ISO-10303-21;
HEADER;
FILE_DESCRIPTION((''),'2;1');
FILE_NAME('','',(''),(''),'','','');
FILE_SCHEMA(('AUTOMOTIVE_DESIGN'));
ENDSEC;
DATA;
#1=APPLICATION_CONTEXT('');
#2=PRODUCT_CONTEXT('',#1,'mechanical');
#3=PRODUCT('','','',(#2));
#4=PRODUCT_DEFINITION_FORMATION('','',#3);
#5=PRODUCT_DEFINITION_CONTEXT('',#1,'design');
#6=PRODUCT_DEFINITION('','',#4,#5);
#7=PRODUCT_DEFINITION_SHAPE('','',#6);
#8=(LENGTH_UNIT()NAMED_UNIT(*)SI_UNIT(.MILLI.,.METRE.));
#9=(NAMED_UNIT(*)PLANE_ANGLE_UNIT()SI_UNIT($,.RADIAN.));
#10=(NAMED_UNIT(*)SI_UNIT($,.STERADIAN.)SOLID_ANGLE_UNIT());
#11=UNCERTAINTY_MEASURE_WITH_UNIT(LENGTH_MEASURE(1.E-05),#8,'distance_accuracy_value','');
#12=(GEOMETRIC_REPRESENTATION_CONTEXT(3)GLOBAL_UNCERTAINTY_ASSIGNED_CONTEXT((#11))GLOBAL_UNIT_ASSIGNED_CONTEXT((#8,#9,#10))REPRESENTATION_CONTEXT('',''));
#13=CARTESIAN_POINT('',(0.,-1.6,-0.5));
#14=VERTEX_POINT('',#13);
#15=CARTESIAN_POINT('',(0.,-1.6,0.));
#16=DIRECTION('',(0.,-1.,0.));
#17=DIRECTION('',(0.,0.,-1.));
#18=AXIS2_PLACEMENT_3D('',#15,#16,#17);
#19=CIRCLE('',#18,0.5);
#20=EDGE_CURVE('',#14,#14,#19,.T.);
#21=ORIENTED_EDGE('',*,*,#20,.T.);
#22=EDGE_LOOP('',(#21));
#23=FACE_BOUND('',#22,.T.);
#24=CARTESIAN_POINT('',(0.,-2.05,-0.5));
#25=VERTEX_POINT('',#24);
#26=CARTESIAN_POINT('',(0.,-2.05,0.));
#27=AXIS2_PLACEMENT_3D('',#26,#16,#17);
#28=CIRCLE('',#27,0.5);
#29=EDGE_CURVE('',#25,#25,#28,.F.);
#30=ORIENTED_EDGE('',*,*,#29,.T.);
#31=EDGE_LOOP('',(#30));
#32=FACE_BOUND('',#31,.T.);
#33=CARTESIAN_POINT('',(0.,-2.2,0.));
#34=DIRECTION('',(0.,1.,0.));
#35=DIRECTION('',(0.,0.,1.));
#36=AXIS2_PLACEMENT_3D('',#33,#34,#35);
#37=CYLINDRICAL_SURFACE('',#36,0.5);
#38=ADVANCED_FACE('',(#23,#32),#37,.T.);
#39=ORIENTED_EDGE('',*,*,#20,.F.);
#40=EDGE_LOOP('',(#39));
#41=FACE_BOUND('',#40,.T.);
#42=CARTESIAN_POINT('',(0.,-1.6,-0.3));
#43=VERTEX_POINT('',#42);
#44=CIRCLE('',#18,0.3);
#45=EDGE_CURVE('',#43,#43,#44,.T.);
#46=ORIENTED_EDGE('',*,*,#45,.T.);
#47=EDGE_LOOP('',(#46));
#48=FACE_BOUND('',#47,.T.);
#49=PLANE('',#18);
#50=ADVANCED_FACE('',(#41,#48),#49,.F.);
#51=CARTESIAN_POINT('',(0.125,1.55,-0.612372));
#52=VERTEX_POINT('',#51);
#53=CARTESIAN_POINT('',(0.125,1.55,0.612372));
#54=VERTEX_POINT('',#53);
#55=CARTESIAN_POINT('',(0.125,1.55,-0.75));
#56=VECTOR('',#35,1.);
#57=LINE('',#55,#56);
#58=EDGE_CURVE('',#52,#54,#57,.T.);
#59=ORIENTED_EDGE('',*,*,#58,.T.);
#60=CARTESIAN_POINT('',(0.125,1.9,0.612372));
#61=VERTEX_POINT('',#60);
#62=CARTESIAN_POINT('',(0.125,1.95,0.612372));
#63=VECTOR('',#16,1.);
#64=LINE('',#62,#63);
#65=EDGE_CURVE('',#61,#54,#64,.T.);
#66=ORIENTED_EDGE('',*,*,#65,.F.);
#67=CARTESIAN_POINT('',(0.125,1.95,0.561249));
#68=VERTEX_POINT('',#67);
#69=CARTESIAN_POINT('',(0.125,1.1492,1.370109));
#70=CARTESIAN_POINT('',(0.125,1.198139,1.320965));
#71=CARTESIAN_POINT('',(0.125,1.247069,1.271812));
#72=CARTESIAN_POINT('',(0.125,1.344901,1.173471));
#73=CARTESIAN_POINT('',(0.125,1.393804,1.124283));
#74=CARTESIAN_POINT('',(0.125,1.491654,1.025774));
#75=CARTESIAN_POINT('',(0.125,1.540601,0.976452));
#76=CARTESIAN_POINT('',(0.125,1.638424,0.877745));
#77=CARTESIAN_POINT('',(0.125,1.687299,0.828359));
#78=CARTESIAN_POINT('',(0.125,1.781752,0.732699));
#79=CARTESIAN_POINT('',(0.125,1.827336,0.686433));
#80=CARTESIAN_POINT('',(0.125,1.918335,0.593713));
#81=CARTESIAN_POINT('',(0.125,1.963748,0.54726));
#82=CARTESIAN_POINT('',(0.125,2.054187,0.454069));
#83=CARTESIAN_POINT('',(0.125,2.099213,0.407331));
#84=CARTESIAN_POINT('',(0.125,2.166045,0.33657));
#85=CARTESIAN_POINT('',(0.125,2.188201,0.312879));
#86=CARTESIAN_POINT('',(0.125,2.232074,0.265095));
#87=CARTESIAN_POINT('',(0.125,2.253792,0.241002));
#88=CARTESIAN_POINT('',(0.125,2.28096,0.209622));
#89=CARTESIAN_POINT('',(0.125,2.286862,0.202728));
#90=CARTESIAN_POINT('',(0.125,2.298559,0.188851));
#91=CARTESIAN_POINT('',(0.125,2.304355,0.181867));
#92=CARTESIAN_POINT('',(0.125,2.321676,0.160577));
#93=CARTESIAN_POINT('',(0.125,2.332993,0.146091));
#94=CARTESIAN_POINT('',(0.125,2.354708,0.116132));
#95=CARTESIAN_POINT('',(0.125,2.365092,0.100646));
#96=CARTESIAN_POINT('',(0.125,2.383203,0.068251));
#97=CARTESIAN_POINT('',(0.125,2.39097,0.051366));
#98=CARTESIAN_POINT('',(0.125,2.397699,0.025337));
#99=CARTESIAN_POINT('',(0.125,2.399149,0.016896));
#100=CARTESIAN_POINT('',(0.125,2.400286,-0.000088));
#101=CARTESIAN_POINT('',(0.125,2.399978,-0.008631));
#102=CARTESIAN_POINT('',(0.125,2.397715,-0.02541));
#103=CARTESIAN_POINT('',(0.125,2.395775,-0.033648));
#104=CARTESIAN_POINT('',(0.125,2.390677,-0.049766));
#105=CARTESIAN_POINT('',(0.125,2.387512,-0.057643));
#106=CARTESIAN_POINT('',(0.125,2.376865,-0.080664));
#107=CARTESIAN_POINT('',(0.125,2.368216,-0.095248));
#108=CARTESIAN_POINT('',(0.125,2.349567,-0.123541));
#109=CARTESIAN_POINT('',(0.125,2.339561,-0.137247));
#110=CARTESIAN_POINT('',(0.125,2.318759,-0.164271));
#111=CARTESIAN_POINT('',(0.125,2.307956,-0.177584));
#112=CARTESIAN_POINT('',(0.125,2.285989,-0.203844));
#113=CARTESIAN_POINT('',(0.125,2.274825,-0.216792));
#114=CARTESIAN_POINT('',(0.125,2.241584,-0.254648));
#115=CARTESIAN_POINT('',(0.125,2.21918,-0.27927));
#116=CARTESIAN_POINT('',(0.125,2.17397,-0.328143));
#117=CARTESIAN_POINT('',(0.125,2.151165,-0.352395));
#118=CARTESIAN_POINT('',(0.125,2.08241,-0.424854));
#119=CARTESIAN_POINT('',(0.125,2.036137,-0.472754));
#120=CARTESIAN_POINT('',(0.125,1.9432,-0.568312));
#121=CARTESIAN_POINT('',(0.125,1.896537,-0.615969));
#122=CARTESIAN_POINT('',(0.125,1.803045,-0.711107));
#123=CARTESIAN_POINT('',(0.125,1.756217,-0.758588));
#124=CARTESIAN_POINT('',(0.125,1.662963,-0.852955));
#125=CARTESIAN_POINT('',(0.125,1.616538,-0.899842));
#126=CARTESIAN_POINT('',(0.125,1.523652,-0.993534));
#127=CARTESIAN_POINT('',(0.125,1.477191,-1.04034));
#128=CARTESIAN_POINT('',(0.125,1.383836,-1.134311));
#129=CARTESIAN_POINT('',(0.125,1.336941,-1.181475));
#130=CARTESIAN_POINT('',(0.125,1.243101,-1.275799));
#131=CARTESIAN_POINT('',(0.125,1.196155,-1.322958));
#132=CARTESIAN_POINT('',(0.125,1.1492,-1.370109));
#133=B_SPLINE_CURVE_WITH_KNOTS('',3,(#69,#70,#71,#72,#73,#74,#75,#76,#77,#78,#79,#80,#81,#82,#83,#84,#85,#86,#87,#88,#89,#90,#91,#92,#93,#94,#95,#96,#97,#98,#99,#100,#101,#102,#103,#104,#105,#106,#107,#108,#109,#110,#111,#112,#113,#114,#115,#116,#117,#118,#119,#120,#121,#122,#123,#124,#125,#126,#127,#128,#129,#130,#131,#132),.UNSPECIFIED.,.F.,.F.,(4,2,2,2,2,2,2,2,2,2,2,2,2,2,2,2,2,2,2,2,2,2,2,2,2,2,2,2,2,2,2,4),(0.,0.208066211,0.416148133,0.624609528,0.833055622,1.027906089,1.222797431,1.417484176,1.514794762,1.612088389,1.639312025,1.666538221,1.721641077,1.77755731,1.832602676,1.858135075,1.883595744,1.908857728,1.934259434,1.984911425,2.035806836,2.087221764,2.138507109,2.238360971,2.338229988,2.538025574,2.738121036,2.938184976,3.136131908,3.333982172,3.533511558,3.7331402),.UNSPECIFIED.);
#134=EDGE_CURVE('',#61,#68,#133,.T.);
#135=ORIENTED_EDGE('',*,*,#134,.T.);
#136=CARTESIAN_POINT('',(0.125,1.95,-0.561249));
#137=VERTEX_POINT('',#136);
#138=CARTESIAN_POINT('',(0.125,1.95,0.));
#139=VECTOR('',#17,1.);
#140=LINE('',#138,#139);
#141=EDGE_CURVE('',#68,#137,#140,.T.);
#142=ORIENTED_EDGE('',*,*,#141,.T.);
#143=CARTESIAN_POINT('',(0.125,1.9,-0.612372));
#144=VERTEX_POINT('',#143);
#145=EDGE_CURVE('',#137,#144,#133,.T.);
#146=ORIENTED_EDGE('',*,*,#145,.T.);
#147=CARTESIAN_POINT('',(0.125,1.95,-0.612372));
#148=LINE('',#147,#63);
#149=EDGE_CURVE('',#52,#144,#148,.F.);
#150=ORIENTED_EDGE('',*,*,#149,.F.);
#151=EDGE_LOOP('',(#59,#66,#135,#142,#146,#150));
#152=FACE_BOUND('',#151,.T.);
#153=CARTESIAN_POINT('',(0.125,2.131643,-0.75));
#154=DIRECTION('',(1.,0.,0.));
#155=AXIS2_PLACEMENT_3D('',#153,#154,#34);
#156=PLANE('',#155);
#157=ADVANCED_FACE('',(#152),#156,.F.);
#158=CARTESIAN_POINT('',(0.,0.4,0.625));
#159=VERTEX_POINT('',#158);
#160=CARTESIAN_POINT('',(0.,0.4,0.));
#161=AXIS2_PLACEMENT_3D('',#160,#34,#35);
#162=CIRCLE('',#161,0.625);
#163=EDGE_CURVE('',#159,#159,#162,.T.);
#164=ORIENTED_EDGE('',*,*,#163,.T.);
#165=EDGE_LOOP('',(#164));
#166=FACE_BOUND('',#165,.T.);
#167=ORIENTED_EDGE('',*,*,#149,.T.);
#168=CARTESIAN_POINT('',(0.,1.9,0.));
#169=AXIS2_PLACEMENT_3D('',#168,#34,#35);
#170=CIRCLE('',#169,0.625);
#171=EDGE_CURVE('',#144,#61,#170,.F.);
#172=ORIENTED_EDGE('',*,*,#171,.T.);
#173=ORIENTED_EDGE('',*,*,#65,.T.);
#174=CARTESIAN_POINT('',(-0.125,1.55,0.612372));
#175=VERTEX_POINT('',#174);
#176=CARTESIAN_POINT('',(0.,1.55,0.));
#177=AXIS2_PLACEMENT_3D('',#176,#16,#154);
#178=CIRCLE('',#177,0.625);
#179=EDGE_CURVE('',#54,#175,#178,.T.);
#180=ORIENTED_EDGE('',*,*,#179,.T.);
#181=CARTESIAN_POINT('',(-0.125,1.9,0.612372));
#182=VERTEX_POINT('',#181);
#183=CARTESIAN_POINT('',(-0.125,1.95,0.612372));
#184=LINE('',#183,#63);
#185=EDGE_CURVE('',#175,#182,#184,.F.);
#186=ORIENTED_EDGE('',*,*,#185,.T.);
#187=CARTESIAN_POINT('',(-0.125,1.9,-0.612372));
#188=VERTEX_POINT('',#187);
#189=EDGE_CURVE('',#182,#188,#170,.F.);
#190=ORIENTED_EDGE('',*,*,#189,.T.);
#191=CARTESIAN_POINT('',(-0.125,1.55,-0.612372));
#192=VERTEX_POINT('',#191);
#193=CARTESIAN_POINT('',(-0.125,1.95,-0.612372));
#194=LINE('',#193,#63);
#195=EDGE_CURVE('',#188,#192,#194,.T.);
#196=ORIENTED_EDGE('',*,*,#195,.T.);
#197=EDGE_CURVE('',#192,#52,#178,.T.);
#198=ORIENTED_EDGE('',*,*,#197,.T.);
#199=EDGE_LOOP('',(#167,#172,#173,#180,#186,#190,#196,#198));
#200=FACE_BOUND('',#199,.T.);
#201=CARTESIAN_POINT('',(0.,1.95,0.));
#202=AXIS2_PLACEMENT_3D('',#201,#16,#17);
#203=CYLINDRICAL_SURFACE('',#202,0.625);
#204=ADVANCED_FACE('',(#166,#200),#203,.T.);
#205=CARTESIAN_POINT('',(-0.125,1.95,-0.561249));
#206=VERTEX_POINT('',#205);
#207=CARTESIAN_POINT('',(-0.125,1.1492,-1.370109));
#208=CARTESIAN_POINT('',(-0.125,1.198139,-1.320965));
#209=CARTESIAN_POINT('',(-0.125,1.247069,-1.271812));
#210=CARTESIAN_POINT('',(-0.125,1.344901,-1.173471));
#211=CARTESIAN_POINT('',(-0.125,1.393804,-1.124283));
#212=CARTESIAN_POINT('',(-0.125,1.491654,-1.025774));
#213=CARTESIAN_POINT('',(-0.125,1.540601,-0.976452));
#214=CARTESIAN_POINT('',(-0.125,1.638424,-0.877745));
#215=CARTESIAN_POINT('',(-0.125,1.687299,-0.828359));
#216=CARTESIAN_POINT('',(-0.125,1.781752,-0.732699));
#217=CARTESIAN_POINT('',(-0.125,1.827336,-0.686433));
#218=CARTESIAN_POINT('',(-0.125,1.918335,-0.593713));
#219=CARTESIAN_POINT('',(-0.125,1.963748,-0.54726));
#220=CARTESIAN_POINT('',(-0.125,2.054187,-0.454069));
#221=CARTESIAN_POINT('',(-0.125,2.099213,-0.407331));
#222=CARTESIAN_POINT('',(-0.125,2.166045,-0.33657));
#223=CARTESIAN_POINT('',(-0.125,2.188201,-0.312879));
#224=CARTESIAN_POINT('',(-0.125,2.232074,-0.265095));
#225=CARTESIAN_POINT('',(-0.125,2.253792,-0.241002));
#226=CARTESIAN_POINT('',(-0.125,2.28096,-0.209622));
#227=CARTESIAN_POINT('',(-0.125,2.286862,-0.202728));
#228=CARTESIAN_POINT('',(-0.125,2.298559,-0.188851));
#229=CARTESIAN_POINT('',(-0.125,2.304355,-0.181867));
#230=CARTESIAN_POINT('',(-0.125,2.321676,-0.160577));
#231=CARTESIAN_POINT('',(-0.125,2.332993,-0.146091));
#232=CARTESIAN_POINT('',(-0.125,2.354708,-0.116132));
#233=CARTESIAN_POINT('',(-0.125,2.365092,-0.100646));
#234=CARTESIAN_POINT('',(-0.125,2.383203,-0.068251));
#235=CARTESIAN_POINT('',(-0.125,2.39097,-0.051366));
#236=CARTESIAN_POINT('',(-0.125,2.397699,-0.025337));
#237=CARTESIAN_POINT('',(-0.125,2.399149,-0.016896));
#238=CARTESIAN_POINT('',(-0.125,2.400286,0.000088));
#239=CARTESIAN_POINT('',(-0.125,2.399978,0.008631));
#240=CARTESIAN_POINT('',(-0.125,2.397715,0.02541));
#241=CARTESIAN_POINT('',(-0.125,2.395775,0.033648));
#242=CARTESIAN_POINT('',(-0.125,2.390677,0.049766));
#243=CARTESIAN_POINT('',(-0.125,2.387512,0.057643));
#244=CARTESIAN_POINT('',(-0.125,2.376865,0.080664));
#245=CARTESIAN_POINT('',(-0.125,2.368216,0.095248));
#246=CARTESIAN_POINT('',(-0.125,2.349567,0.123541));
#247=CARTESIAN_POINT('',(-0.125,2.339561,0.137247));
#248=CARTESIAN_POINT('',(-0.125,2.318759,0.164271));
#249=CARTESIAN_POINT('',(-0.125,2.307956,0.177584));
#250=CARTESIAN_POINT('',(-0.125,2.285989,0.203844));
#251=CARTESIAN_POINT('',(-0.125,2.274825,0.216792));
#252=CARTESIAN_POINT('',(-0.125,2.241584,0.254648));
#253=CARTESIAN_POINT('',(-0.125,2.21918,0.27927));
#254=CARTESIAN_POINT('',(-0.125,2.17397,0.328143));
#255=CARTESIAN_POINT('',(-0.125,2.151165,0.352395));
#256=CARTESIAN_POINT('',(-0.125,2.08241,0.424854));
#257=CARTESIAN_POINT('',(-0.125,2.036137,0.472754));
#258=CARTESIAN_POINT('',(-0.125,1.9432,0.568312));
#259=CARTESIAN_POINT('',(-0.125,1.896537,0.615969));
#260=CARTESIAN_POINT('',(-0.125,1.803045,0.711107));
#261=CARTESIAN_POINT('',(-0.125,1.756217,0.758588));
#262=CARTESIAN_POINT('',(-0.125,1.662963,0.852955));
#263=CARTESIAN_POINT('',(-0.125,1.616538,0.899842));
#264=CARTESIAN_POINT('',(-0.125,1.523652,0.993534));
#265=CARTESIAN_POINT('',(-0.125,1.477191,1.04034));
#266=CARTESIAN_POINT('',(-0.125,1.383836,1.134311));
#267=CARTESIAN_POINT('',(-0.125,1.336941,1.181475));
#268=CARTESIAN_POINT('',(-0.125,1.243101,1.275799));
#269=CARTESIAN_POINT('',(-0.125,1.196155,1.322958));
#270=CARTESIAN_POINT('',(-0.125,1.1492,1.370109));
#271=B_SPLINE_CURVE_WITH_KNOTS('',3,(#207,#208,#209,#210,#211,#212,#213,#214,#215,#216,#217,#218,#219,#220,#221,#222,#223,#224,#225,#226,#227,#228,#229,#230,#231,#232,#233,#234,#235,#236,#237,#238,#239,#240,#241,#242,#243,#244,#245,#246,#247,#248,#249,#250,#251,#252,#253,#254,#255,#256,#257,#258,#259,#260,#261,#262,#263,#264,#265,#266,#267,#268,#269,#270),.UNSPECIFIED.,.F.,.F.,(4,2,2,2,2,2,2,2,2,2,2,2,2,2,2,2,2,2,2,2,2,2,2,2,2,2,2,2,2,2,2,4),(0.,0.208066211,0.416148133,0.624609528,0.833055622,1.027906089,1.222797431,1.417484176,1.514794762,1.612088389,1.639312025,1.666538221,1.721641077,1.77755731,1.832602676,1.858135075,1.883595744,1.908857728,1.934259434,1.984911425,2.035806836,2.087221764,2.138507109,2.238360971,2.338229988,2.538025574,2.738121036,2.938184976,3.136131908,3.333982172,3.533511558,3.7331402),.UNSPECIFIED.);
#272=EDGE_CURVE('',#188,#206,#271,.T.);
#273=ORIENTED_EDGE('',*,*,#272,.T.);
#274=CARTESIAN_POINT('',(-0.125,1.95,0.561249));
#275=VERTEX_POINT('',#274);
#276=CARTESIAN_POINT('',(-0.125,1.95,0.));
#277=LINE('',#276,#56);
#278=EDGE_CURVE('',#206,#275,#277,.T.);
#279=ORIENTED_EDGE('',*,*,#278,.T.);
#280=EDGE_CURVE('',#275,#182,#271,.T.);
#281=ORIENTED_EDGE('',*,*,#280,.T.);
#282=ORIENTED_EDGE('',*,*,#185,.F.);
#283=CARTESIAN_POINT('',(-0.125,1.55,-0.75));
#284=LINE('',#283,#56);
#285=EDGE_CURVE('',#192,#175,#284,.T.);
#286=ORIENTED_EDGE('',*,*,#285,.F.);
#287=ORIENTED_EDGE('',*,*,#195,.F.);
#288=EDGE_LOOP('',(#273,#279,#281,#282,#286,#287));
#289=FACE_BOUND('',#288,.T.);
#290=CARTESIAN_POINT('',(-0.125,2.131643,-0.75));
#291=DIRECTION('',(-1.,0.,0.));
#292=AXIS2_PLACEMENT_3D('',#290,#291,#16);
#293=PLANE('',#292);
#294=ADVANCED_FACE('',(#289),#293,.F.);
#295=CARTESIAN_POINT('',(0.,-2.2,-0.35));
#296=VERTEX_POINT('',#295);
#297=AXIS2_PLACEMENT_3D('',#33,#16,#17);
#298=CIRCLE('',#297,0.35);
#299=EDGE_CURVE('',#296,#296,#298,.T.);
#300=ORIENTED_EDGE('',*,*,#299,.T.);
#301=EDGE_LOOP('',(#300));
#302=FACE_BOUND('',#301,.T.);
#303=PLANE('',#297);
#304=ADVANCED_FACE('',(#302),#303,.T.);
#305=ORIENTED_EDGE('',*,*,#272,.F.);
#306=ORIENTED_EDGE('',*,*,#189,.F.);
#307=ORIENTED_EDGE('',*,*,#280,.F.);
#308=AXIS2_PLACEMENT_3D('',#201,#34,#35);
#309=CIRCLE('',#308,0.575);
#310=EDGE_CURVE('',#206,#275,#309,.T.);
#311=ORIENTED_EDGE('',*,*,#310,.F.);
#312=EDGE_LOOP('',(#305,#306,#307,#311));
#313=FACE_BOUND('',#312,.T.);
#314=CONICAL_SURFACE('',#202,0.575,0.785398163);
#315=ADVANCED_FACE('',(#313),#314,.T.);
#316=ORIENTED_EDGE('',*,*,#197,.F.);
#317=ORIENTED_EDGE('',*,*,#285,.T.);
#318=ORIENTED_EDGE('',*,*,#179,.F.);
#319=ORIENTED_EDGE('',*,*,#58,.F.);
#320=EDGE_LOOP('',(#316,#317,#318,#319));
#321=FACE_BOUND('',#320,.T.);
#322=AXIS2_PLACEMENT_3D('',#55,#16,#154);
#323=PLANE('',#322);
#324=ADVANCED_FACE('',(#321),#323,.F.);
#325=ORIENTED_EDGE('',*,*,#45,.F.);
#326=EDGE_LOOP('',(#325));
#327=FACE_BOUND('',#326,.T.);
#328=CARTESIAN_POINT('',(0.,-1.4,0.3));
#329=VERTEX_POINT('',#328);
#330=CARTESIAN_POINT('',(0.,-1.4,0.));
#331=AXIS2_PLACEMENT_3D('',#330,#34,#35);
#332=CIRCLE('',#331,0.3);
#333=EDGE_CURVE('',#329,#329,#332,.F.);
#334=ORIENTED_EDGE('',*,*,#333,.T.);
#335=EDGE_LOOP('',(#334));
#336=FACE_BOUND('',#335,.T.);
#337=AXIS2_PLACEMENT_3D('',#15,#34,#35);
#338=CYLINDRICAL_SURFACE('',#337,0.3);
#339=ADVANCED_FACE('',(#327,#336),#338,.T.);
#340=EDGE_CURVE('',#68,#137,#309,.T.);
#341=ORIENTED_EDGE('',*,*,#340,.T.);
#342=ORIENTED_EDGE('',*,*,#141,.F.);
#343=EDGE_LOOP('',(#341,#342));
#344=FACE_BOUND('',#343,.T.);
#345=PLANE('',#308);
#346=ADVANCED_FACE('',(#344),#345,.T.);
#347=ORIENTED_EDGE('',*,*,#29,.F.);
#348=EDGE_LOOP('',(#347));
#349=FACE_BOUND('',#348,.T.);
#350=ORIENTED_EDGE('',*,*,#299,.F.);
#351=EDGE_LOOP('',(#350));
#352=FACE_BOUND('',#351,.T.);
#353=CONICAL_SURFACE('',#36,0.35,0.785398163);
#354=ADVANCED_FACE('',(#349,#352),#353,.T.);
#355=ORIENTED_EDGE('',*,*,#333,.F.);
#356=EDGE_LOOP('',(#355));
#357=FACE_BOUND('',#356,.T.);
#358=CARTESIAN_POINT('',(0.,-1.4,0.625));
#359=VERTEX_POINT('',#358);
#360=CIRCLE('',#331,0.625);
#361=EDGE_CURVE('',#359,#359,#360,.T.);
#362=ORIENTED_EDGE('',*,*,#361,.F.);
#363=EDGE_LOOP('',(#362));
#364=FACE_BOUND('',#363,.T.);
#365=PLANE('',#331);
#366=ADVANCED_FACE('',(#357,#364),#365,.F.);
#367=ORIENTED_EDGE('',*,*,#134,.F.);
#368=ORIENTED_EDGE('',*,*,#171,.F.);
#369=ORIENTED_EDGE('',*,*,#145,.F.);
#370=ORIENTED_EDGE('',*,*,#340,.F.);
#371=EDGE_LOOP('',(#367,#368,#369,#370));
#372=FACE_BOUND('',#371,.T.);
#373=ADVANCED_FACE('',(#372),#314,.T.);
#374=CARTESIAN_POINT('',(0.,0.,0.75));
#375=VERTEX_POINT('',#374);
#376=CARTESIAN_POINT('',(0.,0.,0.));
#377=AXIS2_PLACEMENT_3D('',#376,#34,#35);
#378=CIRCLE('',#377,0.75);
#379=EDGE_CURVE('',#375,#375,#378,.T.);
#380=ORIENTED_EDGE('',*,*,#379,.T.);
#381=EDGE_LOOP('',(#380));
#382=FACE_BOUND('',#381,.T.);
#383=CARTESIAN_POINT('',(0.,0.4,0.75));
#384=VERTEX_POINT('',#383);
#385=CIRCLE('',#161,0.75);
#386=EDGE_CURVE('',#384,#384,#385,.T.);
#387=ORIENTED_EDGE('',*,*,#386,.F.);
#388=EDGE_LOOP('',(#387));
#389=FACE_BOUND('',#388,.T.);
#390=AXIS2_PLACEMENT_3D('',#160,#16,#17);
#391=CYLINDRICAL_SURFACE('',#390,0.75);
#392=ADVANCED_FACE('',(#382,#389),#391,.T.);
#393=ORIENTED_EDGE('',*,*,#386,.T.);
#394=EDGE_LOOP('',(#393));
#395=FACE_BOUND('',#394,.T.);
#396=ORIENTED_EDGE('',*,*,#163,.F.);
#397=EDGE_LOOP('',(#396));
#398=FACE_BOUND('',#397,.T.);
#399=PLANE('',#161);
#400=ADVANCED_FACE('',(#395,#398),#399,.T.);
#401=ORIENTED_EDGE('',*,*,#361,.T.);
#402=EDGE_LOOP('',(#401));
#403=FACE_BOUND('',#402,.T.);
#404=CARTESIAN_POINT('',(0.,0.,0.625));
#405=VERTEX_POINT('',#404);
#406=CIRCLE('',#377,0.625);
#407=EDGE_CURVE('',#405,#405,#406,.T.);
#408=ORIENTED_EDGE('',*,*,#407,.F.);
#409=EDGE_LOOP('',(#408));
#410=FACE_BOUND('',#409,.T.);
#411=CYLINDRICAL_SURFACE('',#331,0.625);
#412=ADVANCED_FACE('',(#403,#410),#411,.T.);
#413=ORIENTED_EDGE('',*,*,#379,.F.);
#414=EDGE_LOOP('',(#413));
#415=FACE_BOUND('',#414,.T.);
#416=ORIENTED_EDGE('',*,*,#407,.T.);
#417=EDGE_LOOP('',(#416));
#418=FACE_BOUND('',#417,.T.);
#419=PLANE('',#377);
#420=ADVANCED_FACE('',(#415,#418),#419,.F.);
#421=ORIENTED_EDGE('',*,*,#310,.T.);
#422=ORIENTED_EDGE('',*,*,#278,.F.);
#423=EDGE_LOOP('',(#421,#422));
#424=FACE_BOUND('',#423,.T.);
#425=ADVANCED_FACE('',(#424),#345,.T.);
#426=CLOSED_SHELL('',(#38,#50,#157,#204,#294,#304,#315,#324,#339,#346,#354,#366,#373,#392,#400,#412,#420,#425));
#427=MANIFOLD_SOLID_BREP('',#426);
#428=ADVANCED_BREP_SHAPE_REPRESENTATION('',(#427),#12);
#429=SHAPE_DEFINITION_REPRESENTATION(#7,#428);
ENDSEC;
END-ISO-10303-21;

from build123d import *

# Parameters (mm, degrees)
SKETCH1_R               = 0.75
BOSS_EXTRUDE1_DEPTH     = 0.4
SKETCH2_R               = 0.625
BOSS_EXTRUDE2_DEPTH     = 1.55
SKETCH3_R               = 0.625
BOSS_EXTRUDE3_DEPTH     = 1.4
SKETCH4_R               = 0.3
BOSS_EXTRUDE4_DEPTH     = 0.2
SKETCH5_R               = 0.5
BOSS_EXTRUDE5_DEPTH     = 0.6
CHAMFER1_SIZE           = 0.05
CHAMFER2_SIZE           = 0.15
CUT_EXTRUDE1_DEPTH      = 1.75
CUT_EXTRUDE1_DEPTH_BACK = 1.75


with BuildPart() as part:
    # Sketch1 → Boss-Extrude1 (new body)
    with BuildSketch(Plane(origin=(0, 0, 0), x_dir=(1, 0, 0), z_dir=(0, 1, 0))):
        Circle(SKETCH1_R)
    extrude(amount=BOSS_EXTRUDE1_DEPTH)

    # Sketch2 → Boss-Extrude2 (add)
    with BuildSketch(Plane(origin=(0, 0.4, 0), x_dir=(1, 0, 0), z_dir=(0, 1, 0))):
        Circle(SKETCH2_R)
    extrude(amount=BOSS_EXTRUDE2_DEPTH)

    # Sketch3 → Boss-Extrude3 (add)
    with BuildSketch(Plane(origin=(0, 0, 0), x_dir=(1, 0, 0), z_dir=(0, 1, 0))):
        Circle(SKETCH3_R)
    extrude(amount=-BOSS_EXTRUDE3_DEPTH)

    # Sketch4 → Boss-Extrude4 (add)
    with BuildSketch(Plane.XZ.offset(1.4)):
        Circle(SKETCH4_R)
    extrude(amount=BOSS_EXTRUDE4_DEPTH)

    # Sketch5 → Boss-Extrude5 (add)
    with BuildSketch(Plane.XZ.offset(1.6)):
        Circle(SKETCH5_R)
    extrude(amount=BOSS_EXTRUDE5_DEPTH)

    # Chamfer1
    chamfer1_edges = [part.edges().sort_by_distance(p)[0] for p in [
        (-0.625, 1.95, 0),
    ]]
    chamfer(chamfer1_edges, length=CHAMFER1_SIZE)

    # Chamfer2
    chamfer2_edges = [part.edges().sort_by_distance(p)[0] for p in [
        (-0.5, -2.2, 0),
    ]]
    chamfer(chamfer2_edges, length=CHAMFER2_SIZE)

    # Sketch6 → Cut-Extrude1 (cut, two sides)
    with BuildSketch(Plane.XY) as cut_extrude1_sk:
        Polygon((0.125, 2.131643459), (-0.125, 2.131643459), (-0.125, 1.55), (0, 1.55), (0.125, 1.55), align=None)
    extrude(amount=CUT_EXTRUDE1_DEPTH, mode=Mode.SUBTRACT)
    extrude(cut_extrude1_sk.sketch, amount=-CUT_EXTRUDE1_DEPTH_BACK, mode=Mode.SUBTRACT)


solid = part.part
